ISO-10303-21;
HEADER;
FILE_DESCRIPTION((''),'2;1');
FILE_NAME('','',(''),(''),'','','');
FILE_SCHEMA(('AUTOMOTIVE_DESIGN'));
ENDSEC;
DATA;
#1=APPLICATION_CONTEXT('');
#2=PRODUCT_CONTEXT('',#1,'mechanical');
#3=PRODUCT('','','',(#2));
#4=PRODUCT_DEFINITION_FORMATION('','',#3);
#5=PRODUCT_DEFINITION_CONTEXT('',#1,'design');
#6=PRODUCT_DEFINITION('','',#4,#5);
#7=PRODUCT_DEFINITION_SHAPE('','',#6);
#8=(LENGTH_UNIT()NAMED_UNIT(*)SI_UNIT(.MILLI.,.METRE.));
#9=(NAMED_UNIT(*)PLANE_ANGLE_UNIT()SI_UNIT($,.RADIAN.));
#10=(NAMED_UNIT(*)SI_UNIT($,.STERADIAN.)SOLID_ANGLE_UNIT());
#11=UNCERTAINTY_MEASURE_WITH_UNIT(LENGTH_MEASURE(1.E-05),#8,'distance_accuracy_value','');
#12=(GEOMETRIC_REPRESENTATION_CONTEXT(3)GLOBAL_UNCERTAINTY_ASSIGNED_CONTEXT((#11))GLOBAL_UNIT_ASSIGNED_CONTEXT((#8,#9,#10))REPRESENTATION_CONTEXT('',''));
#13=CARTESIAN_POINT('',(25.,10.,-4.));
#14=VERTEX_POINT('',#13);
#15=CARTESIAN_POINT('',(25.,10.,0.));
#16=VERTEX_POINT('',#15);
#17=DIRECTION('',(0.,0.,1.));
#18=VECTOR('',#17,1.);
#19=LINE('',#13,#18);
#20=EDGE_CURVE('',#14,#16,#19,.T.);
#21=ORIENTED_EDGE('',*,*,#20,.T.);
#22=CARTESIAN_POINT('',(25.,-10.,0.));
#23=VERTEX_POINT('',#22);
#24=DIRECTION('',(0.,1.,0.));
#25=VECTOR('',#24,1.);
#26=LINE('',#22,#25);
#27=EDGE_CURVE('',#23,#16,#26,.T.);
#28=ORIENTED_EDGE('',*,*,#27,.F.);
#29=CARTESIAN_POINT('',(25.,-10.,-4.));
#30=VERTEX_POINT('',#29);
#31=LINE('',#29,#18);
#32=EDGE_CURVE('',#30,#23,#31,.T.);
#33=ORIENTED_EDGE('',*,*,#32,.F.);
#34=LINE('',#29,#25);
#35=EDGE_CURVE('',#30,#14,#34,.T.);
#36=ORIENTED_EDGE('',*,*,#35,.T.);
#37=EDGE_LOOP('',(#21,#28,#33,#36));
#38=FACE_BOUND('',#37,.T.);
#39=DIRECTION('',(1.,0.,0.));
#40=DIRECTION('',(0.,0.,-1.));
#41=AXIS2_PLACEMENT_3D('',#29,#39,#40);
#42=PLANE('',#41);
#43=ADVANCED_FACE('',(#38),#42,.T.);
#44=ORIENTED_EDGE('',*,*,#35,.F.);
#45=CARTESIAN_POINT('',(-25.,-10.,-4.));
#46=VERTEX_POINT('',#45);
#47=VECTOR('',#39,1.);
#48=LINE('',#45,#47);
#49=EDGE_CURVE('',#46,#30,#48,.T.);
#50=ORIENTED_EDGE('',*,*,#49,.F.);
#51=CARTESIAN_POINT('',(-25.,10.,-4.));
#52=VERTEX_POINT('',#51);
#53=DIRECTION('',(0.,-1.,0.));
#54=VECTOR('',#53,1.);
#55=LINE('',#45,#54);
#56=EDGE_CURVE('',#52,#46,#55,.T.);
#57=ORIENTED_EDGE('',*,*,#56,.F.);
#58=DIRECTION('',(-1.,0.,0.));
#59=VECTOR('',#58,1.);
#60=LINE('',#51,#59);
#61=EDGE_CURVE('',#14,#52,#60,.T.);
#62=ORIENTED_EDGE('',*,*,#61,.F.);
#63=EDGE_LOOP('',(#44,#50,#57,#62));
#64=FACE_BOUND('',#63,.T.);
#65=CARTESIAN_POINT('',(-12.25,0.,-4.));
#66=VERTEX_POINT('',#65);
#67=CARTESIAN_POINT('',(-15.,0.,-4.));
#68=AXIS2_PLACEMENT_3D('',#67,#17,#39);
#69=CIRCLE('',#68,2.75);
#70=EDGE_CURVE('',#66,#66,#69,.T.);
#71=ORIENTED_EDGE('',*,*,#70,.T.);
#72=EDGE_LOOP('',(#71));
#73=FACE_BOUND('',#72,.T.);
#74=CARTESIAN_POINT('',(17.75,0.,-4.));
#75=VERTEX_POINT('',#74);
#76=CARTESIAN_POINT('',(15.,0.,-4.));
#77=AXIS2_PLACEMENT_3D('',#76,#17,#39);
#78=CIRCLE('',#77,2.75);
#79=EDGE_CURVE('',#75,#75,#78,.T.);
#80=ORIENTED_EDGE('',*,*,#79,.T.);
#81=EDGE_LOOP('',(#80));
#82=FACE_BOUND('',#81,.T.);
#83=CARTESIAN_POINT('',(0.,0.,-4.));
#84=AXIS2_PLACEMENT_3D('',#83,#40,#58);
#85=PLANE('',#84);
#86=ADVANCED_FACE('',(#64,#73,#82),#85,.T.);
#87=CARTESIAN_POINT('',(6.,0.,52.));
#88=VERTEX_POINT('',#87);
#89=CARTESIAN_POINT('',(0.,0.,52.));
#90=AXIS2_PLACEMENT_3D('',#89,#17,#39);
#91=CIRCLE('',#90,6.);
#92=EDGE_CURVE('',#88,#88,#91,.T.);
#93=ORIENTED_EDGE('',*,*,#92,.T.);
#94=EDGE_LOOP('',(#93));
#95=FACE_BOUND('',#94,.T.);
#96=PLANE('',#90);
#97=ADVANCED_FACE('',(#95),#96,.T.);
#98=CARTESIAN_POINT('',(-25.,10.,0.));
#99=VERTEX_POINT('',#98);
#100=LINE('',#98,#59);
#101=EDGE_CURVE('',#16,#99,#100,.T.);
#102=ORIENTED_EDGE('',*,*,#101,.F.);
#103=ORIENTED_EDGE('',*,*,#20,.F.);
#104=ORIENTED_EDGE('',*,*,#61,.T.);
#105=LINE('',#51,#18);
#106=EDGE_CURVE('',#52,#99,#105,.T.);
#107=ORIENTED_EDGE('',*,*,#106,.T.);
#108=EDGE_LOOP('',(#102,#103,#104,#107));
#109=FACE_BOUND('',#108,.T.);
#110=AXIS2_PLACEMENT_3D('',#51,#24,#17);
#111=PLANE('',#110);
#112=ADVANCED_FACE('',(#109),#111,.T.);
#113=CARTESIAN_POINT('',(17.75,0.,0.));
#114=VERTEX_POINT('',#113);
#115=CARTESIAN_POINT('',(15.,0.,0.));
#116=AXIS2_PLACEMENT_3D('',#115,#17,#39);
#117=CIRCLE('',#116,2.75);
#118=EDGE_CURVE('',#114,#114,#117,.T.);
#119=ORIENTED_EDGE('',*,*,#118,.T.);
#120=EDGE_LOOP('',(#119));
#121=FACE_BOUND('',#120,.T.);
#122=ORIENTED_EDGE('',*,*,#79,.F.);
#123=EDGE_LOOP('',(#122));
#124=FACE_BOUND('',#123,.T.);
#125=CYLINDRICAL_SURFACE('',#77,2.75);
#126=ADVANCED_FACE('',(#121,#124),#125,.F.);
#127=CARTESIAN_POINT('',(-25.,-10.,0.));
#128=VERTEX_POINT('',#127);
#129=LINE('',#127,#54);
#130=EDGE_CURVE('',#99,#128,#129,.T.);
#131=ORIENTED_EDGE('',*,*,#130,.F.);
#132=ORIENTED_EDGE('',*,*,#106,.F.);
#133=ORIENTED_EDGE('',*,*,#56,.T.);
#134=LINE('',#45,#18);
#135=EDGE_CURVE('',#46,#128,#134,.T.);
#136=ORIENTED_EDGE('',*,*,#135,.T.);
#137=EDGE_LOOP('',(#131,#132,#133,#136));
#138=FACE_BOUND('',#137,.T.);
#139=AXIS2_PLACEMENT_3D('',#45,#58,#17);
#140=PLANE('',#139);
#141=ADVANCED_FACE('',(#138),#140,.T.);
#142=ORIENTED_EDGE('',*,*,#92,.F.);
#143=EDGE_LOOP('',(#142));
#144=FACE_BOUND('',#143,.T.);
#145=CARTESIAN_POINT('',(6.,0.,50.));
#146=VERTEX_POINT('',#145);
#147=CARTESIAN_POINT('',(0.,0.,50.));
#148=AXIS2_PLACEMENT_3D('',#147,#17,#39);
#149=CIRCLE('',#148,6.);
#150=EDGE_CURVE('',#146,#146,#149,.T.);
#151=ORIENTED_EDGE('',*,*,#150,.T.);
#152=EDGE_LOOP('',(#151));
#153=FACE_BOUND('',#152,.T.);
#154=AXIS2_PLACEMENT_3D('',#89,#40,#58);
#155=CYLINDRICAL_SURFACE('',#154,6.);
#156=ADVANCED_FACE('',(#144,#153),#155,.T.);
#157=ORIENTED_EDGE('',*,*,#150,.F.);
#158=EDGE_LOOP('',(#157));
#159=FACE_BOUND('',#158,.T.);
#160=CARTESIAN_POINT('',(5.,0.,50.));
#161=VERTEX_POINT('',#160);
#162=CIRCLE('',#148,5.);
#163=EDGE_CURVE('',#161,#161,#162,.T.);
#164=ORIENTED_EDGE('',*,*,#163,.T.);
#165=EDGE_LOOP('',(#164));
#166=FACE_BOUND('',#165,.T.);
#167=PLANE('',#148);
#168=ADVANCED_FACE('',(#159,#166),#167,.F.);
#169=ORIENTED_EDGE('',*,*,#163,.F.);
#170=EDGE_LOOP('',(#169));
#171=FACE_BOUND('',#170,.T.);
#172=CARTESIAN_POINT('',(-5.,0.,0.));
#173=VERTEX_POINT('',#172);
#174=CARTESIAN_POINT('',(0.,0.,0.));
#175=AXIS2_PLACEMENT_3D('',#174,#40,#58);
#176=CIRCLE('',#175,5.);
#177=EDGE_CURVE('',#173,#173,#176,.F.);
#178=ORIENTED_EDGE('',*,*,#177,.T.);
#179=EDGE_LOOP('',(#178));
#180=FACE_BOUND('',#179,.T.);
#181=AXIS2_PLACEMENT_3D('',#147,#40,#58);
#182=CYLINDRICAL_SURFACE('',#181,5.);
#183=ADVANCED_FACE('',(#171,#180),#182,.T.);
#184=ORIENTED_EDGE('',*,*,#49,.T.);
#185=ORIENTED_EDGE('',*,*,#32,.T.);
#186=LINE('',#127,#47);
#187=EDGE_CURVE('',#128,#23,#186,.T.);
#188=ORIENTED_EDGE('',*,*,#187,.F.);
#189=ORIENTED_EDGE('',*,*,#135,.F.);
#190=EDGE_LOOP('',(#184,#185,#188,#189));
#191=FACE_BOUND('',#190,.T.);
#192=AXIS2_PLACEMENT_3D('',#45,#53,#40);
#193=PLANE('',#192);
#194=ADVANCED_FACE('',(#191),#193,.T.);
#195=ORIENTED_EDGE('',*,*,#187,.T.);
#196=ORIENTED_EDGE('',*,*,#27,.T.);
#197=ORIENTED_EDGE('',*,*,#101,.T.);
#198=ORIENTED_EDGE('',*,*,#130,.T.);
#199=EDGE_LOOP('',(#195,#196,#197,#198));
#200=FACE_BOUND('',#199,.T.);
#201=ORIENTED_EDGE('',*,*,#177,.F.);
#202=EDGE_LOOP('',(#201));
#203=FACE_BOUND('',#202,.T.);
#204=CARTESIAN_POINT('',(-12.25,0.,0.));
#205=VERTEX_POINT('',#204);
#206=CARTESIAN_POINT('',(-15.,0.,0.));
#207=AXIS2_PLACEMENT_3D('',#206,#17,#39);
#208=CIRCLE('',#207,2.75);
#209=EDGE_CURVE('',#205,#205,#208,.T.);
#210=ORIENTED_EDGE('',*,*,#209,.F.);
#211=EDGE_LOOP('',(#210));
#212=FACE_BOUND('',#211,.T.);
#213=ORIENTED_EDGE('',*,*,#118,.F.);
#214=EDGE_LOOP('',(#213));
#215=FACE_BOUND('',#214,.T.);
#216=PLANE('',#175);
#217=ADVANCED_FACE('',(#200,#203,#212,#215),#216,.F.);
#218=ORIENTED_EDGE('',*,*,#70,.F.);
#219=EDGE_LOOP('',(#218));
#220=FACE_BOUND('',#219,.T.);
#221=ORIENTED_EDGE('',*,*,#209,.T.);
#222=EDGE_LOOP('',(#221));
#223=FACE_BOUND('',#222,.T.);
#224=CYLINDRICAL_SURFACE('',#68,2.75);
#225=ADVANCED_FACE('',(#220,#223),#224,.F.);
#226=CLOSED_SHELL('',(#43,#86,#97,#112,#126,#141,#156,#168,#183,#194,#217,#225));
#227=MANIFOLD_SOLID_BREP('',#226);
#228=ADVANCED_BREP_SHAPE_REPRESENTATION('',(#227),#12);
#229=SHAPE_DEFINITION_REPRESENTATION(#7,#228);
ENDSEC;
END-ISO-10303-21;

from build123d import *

# Parameters (mm, degrees)
SKETCH1_W           = 50
SKETCH1_H           = 20
SKETCH1_R           = 2.75
BOSS_EXTRUDE1_DEPTH = 4
SKETCH2_R           = 5
BOSS_EXTRUDE2_DEPTH = 50
SKETCH3_R           = 6
BOSS_EXTRUDE3_DEPTH = 2


with BuildPart() as part:
    # Sketch1 → Boss-Extrude1 (new body)
    with BuildSketch(Plane.XY):
        Rectangle(SKETCH1_W, SKETCH1_H)
        with Locations((15, 0)):
            Circle(SKETCH1_R, mode=Mode.SUBTRACT)
        with Locations((-15, 0)):
            Circle(SKETCH1_R, mode=Mode.SUBTRACT)
    extrude(amount=-BOSS_EXTRUDE1_DEPTH)

    # Sketch2 → Boss-Extrude2 (add)
    with BuildSketch(Plane.XY):
        Circle(SKETCH2_R)
    extrude(amount=BOSS_EXTRUDE2_DEPTH)

    # Sketch3 → Boss-Extrude3 (add)
    with BuildSketch(Plane.XY.offset(50)):
        Circle(SKETCH3_R)
    extrude(amount=BOSS_EXTRUDE3_DEPTH)


solid = part.part
